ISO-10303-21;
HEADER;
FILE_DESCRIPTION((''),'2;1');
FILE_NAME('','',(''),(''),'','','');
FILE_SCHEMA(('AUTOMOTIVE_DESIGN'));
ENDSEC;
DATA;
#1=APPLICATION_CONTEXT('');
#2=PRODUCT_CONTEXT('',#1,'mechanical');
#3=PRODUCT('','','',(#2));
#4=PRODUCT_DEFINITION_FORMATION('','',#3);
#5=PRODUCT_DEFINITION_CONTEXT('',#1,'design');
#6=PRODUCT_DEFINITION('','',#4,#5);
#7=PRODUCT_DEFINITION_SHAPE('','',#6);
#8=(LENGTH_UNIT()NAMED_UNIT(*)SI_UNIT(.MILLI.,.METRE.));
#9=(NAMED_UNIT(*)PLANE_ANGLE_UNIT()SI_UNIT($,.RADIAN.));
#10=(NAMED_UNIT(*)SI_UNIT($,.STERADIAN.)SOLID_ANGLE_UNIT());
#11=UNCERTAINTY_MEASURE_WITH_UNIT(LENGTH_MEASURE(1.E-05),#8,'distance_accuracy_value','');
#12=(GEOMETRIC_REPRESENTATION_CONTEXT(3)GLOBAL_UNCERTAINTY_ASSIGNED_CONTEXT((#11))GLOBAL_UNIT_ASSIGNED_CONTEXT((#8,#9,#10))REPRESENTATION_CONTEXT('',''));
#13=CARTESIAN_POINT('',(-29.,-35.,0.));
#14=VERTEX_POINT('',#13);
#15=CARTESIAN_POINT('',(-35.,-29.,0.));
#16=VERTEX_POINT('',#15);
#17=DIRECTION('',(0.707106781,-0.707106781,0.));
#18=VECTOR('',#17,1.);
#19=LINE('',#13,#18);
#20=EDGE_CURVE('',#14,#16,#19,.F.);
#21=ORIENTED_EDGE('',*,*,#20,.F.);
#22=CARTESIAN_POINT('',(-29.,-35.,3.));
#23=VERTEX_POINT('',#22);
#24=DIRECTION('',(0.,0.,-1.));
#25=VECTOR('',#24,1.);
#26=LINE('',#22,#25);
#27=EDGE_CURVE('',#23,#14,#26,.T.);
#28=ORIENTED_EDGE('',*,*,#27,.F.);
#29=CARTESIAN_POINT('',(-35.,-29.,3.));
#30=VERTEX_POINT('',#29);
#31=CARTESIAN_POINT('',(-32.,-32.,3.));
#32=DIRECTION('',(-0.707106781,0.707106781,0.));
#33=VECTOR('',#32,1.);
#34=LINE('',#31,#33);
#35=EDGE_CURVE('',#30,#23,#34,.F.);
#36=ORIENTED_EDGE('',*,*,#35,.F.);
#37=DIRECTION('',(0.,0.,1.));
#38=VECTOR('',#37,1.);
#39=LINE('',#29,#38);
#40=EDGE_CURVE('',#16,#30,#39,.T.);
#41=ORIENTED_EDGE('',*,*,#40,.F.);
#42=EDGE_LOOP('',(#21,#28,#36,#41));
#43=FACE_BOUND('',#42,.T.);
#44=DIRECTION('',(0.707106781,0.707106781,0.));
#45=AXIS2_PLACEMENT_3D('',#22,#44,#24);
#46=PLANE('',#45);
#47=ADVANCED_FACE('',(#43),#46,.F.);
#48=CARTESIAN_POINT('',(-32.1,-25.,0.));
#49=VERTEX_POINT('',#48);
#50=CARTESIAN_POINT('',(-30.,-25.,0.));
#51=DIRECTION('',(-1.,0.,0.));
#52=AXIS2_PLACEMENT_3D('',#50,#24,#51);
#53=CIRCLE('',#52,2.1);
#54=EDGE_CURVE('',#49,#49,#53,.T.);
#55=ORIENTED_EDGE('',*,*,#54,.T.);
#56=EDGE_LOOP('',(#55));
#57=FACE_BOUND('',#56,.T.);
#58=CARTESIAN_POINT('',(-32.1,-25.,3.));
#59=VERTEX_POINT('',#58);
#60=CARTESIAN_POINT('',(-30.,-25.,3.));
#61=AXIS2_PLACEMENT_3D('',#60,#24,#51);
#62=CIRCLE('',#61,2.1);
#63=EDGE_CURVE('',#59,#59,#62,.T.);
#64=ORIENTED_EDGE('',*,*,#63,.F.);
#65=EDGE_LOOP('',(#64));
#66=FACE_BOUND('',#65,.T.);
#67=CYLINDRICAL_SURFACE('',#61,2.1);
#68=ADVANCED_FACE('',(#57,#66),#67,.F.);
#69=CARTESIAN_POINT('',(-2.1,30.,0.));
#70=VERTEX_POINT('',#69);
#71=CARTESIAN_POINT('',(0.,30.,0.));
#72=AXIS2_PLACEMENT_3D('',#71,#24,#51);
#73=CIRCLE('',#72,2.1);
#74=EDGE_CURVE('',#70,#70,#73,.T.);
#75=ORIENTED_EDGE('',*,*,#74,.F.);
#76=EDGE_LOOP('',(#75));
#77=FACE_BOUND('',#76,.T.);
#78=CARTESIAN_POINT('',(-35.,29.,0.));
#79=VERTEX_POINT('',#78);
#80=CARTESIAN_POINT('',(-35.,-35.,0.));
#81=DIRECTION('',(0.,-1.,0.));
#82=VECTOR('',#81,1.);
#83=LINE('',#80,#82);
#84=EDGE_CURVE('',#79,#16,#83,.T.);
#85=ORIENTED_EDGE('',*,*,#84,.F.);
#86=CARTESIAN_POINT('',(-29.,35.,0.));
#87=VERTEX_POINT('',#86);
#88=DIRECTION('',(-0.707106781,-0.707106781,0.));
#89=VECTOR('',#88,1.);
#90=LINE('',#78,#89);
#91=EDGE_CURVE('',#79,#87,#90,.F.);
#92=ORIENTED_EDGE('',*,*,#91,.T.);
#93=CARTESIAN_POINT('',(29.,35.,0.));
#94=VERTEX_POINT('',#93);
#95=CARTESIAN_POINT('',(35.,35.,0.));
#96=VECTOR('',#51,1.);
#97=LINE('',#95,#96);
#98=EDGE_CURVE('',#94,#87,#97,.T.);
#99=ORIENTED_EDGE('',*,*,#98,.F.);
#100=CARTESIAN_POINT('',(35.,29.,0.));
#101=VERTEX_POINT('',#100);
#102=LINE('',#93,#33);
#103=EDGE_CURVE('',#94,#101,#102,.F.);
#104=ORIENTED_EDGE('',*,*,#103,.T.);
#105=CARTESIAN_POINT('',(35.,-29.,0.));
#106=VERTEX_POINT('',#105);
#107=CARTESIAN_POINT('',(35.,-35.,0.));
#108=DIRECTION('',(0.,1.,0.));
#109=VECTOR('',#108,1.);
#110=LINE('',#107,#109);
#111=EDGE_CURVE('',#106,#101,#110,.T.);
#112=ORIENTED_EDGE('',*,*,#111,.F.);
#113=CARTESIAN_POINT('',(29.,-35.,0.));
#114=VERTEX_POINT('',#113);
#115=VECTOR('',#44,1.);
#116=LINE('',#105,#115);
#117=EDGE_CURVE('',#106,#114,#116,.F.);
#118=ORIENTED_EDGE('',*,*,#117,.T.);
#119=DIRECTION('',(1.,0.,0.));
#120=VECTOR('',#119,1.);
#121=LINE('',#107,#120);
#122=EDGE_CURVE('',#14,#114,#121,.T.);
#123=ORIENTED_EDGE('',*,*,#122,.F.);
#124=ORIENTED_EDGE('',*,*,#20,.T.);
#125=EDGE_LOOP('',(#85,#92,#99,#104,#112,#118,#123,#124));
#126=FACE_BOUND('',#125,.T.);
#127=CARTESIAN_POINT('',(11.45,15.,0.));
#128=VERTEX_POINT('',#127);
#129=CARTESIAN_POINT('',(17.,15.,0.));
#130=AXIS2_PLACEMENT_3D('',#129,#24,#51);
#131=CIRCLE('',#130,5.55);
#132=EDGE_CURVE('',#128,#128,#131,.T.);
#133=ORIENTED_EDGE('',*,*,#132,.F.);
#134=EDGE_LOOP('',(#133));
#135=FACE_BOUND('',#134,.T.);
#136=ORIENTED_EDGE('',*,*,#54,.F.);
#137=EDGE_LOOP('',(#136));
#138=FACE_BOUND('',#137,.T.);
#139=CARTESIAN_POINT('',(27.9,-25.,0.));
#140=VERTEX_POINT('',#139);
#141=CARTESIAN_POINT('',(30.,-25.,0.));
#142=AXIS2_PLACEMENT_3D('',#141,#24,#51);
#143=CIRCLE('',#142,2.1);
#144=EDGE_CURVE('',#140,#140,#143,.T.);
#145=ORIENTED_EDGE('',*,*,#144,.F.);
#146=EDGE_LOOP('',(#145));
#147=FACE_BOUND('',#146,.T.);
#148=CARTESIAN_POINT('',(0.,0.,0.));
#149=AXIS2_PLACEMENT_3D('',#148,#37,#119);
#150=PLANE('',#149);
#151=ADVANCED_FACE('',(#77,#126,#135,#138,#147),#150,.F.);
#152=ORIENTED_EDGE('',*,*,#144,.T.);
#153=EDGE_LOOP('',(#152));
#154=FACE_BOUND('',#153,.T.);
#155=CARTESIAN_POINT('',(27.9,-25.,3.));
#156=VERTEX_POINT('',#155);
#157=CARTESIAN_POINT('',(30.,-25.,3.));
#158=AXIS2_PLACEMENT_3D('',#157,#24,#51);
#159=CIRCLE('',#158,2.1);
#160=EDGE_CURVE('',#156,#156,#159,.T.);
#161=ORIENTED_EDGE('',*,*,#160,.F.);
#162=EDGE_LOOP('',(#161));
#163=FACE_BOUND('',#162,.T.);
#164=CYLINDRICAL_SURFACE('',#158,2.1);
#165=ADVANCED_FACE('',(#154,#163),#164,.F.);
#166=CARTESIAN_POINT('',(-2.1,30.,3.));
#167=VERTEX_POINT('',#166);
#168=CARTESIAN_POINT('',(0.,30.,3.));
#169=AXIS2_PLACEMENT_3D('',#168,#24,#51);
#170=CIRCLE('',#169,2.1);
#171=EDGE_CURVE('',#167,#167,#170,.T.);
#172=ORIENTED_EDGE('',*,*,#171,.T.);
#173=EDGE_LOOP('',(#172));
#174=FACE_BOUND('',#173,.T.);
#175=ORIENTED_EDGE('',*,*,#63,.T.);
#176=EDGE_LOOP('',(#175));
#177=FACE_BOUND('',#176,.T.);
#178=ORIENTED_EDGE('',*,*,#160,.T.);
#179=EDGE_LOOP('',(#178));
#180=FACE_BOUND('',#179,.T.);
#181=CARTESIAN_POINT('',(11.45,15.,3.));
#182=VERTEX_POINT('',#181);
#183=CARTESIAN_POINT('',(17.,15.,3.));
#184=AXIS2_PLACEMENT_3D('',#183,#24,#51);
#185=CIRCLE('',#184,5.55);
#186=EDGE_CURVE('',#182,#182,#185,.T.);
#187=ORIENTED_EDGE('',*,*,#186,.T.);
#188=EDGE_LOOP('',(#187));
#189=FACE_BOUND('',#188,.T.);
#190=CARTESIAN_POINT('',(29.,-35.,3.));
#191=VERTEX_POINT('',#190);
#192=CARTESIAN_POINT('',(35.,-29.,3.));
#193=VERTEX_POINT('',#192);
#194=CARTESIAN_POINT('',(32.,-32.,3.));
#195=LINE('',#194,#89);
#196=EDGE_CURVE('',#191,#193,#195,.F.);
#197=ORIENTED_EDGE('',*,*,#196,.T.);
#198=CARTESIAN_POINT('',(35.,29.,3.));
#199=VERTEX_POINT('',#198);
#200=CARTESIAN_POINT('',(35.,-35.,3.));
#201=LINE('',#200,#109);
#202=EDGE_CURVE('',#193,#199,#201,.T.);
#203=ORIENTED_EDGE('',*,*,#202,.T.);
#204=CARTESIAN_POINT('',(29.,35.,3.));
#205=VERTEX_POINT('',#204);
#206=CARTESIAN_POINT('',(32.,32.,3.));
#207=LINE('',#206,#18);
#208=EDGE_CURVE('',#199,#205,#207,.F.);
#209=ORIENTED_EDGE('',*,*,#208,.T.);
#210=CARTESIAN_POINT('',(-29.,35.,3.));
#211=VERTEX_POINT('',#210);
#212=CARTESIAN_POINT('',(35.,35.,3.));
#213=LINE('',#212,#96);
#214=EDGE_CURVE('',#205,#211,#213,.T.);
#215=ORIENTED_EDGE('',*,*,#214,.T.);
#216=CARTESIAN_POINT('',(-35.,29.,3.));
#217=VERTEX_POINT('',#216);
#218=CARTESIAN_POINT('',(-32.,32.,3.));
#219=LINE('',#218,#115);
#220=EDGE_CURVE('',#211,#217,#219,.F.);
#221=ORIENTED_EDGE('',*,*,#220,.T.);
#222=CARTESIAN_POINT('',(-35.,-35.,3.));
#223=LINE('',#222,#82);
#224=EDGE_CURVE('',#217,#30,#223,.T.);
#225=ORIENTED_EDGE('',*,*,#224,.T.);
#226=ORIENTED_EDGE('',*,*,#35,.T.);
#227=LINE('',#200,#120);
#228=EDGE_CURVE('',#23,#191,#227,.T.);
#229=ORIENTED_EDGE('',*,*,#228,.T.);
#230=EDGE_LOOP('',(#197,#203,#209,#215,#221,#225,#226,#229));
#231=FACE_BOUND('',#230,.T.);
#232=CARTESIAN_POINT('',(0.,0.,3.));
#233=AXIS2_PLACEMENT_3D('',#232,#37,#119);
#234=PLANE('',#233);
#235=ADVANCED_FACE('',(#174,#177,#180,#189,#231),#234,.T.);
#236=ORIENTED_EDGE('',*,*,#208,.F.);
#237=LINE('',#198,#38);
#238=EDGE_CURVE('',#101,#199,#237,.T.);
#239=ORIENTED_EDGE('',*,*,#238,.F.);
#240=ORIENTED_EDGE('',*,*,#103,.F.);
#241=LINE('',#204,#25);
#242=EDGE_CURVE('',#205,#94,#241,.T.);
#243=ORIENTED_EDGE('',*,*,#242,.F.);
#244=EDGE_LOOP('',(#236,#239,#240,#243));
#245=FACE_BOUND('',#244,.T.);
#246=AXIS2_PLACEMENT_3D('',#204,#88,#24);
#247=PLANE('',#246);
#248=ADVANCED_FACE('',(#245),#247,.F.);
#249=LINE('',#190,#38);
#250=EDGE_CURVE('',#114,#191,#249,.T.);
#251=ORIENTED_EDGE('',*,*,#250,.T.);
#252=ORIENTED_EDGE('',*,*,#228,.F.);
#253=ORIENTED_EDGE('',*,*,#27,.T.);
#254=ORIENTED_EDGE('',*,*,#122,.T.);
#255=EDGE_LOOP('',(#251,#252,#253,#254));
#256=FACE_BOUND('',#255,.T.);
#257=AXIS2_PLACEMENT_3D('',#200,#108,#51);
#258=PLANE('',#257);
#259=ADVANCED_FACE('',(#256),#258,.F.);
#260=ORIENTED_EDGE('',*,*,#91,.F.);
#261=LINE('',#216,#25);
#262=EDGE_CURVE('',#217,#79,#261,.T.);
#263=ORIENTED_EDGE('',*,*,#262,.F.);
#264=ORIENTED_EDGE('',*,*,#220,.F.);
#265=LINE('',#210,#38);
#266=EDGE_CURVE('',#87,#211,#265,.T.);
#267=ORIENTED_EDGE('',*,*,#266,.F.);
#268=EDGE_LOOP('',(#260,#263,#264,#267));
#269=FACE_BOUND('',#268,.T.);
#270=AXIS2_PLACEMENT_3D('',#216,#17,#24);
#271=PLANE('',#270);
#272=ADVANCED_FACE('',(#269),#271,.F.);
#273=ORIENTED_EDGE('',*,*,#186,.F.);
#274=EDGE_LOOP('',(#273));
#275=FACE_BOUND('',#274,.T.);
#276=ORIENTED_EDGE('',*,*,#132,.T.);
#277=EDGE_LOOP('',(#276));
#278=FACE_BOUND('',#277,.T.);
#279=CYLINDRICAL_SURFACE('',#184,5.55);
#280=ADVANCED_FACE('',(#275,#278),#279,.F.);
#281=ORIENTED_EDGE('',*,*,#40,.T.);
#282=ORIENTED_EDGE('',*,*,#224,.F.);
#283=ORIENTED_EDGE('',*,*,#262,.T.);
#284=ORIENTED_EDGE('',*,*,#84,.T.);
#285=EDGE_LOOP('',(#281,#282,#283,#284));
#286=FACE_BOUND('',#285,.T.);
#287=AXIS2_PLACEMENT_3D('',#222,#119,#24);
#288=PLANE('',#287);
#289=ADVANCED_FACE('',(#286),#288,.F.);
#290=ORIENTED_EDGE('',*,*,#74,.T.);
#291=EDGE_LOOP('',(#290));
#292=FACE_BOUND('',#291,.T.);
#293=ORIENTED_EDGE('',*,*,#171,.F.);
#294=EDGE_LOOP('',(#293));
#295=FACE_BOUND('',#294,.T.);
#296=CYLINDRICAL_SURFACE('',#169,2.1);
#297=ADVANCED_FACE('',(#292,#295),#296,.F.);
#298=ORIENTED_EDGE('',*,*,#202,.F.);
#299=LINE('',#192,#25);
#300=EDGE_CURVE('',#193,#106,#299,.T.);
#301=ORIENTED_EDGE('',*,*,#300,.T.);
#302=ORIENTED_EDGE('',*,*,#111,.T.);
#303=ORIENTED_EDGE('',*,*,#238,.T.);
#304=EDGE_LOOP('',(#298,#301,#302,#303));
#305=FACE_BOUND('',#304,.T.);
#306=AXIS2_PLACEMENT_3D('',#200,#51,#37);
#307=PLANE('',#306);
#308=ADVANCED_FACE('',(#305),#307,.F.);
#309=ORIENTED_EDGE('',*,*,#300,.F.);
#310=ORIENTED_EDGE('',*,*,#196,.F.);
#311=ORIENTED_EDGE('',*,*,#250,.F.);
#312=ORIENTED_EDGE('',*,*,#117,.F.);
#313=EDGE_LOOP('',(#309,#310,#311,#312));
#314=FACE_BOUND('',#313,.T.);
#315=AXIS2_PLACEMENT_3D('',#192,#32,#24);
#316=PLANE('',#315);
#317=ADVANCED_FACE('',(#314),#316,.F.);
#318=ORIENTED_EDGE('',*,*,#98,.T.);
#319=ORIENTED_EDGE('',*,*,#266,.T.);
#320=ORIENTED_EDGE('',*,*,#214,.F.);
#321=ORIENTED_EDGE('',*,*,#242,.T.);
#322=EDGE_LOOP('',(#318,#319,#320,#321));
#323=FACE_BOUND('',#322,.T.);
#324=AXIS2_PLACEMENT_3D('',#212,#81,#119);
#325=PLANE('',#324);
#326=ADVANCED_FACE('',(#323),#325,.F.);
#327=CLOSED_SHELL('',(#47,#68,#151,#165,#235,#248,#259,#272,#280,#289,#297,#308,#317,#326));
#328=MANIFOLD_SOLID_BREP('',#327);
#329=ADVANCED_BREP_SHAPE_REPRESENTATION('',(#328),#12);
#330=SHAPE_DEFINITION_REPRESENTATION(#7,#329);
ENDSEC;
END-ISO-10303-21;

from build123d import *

# Parameters (mm, degrees)
SKETCH_1_W          = 70
SKETCH_1_H          = 70
EXTRUDE_1_DEPTH     = 3
CHAMFER_1_SIZE      = 6
SKETCH_2_R          = 2.1
CUT_EXTRUDE_1_DEPTH = 50.588305073
SKETCH_3_R          = 5.55
CUT_EXTRUDE_2_DEPTH = 50.588305073


with BuildPart() as part:
    # 草圖1 → 填料-伸長1 (new body)
    with BuildSketch(Plane.XY):
        Rectangle(SKETCH_1_W, SKETCH_1_H)
    extrude(amount=EXTRUDE_1_DEPTH)

    # 導角1
    chamfer_1_edges = [part.edges().sort_by_distance(p)[0] for p in [
        (-35, 35, 1.5),
        (35, 35, 1.5),
        (35, -35, 1.5),
        (-35, -35, 1.5),
    ]]
    chamfer(chamfer_1_edges, length=CHAMFER_1_SIZE)

    # 草圖2 → 除料-伸長1 (cut, through all)
    with BuildSketch(Plane(origin=(0, 0, 0), x_dir=(-1, 0, 0), z_dir=(0, 0, -1))):
        with Locations((0, 30)):
            Circle(SKETCH_2_R)
        with Locations((-30, -25)):
            Circle(SKETCH_2_R)
        with Locations((30, -25)):
            Circle(SKETCH_2_R)
    extrude(amount=-CUT_EXTRUDE_1_DEPTH, mode=Mode.SUBTRACT)

    # 草圖3 → 除料-伸長2 (cut, through all)
    with BuildSketch(Plane(origin=(0, 0, 0), x_dir=(-1, 0, 0), z_dir=(0, 0, -1))):
        with Locations((-17, 15)):
            Circle(SKETCH_3_R)
    extrude(amount=-CUT_EXTRUDE_2_DEPTH, mode=Mode.SUBTRACT)


solid = part.part
